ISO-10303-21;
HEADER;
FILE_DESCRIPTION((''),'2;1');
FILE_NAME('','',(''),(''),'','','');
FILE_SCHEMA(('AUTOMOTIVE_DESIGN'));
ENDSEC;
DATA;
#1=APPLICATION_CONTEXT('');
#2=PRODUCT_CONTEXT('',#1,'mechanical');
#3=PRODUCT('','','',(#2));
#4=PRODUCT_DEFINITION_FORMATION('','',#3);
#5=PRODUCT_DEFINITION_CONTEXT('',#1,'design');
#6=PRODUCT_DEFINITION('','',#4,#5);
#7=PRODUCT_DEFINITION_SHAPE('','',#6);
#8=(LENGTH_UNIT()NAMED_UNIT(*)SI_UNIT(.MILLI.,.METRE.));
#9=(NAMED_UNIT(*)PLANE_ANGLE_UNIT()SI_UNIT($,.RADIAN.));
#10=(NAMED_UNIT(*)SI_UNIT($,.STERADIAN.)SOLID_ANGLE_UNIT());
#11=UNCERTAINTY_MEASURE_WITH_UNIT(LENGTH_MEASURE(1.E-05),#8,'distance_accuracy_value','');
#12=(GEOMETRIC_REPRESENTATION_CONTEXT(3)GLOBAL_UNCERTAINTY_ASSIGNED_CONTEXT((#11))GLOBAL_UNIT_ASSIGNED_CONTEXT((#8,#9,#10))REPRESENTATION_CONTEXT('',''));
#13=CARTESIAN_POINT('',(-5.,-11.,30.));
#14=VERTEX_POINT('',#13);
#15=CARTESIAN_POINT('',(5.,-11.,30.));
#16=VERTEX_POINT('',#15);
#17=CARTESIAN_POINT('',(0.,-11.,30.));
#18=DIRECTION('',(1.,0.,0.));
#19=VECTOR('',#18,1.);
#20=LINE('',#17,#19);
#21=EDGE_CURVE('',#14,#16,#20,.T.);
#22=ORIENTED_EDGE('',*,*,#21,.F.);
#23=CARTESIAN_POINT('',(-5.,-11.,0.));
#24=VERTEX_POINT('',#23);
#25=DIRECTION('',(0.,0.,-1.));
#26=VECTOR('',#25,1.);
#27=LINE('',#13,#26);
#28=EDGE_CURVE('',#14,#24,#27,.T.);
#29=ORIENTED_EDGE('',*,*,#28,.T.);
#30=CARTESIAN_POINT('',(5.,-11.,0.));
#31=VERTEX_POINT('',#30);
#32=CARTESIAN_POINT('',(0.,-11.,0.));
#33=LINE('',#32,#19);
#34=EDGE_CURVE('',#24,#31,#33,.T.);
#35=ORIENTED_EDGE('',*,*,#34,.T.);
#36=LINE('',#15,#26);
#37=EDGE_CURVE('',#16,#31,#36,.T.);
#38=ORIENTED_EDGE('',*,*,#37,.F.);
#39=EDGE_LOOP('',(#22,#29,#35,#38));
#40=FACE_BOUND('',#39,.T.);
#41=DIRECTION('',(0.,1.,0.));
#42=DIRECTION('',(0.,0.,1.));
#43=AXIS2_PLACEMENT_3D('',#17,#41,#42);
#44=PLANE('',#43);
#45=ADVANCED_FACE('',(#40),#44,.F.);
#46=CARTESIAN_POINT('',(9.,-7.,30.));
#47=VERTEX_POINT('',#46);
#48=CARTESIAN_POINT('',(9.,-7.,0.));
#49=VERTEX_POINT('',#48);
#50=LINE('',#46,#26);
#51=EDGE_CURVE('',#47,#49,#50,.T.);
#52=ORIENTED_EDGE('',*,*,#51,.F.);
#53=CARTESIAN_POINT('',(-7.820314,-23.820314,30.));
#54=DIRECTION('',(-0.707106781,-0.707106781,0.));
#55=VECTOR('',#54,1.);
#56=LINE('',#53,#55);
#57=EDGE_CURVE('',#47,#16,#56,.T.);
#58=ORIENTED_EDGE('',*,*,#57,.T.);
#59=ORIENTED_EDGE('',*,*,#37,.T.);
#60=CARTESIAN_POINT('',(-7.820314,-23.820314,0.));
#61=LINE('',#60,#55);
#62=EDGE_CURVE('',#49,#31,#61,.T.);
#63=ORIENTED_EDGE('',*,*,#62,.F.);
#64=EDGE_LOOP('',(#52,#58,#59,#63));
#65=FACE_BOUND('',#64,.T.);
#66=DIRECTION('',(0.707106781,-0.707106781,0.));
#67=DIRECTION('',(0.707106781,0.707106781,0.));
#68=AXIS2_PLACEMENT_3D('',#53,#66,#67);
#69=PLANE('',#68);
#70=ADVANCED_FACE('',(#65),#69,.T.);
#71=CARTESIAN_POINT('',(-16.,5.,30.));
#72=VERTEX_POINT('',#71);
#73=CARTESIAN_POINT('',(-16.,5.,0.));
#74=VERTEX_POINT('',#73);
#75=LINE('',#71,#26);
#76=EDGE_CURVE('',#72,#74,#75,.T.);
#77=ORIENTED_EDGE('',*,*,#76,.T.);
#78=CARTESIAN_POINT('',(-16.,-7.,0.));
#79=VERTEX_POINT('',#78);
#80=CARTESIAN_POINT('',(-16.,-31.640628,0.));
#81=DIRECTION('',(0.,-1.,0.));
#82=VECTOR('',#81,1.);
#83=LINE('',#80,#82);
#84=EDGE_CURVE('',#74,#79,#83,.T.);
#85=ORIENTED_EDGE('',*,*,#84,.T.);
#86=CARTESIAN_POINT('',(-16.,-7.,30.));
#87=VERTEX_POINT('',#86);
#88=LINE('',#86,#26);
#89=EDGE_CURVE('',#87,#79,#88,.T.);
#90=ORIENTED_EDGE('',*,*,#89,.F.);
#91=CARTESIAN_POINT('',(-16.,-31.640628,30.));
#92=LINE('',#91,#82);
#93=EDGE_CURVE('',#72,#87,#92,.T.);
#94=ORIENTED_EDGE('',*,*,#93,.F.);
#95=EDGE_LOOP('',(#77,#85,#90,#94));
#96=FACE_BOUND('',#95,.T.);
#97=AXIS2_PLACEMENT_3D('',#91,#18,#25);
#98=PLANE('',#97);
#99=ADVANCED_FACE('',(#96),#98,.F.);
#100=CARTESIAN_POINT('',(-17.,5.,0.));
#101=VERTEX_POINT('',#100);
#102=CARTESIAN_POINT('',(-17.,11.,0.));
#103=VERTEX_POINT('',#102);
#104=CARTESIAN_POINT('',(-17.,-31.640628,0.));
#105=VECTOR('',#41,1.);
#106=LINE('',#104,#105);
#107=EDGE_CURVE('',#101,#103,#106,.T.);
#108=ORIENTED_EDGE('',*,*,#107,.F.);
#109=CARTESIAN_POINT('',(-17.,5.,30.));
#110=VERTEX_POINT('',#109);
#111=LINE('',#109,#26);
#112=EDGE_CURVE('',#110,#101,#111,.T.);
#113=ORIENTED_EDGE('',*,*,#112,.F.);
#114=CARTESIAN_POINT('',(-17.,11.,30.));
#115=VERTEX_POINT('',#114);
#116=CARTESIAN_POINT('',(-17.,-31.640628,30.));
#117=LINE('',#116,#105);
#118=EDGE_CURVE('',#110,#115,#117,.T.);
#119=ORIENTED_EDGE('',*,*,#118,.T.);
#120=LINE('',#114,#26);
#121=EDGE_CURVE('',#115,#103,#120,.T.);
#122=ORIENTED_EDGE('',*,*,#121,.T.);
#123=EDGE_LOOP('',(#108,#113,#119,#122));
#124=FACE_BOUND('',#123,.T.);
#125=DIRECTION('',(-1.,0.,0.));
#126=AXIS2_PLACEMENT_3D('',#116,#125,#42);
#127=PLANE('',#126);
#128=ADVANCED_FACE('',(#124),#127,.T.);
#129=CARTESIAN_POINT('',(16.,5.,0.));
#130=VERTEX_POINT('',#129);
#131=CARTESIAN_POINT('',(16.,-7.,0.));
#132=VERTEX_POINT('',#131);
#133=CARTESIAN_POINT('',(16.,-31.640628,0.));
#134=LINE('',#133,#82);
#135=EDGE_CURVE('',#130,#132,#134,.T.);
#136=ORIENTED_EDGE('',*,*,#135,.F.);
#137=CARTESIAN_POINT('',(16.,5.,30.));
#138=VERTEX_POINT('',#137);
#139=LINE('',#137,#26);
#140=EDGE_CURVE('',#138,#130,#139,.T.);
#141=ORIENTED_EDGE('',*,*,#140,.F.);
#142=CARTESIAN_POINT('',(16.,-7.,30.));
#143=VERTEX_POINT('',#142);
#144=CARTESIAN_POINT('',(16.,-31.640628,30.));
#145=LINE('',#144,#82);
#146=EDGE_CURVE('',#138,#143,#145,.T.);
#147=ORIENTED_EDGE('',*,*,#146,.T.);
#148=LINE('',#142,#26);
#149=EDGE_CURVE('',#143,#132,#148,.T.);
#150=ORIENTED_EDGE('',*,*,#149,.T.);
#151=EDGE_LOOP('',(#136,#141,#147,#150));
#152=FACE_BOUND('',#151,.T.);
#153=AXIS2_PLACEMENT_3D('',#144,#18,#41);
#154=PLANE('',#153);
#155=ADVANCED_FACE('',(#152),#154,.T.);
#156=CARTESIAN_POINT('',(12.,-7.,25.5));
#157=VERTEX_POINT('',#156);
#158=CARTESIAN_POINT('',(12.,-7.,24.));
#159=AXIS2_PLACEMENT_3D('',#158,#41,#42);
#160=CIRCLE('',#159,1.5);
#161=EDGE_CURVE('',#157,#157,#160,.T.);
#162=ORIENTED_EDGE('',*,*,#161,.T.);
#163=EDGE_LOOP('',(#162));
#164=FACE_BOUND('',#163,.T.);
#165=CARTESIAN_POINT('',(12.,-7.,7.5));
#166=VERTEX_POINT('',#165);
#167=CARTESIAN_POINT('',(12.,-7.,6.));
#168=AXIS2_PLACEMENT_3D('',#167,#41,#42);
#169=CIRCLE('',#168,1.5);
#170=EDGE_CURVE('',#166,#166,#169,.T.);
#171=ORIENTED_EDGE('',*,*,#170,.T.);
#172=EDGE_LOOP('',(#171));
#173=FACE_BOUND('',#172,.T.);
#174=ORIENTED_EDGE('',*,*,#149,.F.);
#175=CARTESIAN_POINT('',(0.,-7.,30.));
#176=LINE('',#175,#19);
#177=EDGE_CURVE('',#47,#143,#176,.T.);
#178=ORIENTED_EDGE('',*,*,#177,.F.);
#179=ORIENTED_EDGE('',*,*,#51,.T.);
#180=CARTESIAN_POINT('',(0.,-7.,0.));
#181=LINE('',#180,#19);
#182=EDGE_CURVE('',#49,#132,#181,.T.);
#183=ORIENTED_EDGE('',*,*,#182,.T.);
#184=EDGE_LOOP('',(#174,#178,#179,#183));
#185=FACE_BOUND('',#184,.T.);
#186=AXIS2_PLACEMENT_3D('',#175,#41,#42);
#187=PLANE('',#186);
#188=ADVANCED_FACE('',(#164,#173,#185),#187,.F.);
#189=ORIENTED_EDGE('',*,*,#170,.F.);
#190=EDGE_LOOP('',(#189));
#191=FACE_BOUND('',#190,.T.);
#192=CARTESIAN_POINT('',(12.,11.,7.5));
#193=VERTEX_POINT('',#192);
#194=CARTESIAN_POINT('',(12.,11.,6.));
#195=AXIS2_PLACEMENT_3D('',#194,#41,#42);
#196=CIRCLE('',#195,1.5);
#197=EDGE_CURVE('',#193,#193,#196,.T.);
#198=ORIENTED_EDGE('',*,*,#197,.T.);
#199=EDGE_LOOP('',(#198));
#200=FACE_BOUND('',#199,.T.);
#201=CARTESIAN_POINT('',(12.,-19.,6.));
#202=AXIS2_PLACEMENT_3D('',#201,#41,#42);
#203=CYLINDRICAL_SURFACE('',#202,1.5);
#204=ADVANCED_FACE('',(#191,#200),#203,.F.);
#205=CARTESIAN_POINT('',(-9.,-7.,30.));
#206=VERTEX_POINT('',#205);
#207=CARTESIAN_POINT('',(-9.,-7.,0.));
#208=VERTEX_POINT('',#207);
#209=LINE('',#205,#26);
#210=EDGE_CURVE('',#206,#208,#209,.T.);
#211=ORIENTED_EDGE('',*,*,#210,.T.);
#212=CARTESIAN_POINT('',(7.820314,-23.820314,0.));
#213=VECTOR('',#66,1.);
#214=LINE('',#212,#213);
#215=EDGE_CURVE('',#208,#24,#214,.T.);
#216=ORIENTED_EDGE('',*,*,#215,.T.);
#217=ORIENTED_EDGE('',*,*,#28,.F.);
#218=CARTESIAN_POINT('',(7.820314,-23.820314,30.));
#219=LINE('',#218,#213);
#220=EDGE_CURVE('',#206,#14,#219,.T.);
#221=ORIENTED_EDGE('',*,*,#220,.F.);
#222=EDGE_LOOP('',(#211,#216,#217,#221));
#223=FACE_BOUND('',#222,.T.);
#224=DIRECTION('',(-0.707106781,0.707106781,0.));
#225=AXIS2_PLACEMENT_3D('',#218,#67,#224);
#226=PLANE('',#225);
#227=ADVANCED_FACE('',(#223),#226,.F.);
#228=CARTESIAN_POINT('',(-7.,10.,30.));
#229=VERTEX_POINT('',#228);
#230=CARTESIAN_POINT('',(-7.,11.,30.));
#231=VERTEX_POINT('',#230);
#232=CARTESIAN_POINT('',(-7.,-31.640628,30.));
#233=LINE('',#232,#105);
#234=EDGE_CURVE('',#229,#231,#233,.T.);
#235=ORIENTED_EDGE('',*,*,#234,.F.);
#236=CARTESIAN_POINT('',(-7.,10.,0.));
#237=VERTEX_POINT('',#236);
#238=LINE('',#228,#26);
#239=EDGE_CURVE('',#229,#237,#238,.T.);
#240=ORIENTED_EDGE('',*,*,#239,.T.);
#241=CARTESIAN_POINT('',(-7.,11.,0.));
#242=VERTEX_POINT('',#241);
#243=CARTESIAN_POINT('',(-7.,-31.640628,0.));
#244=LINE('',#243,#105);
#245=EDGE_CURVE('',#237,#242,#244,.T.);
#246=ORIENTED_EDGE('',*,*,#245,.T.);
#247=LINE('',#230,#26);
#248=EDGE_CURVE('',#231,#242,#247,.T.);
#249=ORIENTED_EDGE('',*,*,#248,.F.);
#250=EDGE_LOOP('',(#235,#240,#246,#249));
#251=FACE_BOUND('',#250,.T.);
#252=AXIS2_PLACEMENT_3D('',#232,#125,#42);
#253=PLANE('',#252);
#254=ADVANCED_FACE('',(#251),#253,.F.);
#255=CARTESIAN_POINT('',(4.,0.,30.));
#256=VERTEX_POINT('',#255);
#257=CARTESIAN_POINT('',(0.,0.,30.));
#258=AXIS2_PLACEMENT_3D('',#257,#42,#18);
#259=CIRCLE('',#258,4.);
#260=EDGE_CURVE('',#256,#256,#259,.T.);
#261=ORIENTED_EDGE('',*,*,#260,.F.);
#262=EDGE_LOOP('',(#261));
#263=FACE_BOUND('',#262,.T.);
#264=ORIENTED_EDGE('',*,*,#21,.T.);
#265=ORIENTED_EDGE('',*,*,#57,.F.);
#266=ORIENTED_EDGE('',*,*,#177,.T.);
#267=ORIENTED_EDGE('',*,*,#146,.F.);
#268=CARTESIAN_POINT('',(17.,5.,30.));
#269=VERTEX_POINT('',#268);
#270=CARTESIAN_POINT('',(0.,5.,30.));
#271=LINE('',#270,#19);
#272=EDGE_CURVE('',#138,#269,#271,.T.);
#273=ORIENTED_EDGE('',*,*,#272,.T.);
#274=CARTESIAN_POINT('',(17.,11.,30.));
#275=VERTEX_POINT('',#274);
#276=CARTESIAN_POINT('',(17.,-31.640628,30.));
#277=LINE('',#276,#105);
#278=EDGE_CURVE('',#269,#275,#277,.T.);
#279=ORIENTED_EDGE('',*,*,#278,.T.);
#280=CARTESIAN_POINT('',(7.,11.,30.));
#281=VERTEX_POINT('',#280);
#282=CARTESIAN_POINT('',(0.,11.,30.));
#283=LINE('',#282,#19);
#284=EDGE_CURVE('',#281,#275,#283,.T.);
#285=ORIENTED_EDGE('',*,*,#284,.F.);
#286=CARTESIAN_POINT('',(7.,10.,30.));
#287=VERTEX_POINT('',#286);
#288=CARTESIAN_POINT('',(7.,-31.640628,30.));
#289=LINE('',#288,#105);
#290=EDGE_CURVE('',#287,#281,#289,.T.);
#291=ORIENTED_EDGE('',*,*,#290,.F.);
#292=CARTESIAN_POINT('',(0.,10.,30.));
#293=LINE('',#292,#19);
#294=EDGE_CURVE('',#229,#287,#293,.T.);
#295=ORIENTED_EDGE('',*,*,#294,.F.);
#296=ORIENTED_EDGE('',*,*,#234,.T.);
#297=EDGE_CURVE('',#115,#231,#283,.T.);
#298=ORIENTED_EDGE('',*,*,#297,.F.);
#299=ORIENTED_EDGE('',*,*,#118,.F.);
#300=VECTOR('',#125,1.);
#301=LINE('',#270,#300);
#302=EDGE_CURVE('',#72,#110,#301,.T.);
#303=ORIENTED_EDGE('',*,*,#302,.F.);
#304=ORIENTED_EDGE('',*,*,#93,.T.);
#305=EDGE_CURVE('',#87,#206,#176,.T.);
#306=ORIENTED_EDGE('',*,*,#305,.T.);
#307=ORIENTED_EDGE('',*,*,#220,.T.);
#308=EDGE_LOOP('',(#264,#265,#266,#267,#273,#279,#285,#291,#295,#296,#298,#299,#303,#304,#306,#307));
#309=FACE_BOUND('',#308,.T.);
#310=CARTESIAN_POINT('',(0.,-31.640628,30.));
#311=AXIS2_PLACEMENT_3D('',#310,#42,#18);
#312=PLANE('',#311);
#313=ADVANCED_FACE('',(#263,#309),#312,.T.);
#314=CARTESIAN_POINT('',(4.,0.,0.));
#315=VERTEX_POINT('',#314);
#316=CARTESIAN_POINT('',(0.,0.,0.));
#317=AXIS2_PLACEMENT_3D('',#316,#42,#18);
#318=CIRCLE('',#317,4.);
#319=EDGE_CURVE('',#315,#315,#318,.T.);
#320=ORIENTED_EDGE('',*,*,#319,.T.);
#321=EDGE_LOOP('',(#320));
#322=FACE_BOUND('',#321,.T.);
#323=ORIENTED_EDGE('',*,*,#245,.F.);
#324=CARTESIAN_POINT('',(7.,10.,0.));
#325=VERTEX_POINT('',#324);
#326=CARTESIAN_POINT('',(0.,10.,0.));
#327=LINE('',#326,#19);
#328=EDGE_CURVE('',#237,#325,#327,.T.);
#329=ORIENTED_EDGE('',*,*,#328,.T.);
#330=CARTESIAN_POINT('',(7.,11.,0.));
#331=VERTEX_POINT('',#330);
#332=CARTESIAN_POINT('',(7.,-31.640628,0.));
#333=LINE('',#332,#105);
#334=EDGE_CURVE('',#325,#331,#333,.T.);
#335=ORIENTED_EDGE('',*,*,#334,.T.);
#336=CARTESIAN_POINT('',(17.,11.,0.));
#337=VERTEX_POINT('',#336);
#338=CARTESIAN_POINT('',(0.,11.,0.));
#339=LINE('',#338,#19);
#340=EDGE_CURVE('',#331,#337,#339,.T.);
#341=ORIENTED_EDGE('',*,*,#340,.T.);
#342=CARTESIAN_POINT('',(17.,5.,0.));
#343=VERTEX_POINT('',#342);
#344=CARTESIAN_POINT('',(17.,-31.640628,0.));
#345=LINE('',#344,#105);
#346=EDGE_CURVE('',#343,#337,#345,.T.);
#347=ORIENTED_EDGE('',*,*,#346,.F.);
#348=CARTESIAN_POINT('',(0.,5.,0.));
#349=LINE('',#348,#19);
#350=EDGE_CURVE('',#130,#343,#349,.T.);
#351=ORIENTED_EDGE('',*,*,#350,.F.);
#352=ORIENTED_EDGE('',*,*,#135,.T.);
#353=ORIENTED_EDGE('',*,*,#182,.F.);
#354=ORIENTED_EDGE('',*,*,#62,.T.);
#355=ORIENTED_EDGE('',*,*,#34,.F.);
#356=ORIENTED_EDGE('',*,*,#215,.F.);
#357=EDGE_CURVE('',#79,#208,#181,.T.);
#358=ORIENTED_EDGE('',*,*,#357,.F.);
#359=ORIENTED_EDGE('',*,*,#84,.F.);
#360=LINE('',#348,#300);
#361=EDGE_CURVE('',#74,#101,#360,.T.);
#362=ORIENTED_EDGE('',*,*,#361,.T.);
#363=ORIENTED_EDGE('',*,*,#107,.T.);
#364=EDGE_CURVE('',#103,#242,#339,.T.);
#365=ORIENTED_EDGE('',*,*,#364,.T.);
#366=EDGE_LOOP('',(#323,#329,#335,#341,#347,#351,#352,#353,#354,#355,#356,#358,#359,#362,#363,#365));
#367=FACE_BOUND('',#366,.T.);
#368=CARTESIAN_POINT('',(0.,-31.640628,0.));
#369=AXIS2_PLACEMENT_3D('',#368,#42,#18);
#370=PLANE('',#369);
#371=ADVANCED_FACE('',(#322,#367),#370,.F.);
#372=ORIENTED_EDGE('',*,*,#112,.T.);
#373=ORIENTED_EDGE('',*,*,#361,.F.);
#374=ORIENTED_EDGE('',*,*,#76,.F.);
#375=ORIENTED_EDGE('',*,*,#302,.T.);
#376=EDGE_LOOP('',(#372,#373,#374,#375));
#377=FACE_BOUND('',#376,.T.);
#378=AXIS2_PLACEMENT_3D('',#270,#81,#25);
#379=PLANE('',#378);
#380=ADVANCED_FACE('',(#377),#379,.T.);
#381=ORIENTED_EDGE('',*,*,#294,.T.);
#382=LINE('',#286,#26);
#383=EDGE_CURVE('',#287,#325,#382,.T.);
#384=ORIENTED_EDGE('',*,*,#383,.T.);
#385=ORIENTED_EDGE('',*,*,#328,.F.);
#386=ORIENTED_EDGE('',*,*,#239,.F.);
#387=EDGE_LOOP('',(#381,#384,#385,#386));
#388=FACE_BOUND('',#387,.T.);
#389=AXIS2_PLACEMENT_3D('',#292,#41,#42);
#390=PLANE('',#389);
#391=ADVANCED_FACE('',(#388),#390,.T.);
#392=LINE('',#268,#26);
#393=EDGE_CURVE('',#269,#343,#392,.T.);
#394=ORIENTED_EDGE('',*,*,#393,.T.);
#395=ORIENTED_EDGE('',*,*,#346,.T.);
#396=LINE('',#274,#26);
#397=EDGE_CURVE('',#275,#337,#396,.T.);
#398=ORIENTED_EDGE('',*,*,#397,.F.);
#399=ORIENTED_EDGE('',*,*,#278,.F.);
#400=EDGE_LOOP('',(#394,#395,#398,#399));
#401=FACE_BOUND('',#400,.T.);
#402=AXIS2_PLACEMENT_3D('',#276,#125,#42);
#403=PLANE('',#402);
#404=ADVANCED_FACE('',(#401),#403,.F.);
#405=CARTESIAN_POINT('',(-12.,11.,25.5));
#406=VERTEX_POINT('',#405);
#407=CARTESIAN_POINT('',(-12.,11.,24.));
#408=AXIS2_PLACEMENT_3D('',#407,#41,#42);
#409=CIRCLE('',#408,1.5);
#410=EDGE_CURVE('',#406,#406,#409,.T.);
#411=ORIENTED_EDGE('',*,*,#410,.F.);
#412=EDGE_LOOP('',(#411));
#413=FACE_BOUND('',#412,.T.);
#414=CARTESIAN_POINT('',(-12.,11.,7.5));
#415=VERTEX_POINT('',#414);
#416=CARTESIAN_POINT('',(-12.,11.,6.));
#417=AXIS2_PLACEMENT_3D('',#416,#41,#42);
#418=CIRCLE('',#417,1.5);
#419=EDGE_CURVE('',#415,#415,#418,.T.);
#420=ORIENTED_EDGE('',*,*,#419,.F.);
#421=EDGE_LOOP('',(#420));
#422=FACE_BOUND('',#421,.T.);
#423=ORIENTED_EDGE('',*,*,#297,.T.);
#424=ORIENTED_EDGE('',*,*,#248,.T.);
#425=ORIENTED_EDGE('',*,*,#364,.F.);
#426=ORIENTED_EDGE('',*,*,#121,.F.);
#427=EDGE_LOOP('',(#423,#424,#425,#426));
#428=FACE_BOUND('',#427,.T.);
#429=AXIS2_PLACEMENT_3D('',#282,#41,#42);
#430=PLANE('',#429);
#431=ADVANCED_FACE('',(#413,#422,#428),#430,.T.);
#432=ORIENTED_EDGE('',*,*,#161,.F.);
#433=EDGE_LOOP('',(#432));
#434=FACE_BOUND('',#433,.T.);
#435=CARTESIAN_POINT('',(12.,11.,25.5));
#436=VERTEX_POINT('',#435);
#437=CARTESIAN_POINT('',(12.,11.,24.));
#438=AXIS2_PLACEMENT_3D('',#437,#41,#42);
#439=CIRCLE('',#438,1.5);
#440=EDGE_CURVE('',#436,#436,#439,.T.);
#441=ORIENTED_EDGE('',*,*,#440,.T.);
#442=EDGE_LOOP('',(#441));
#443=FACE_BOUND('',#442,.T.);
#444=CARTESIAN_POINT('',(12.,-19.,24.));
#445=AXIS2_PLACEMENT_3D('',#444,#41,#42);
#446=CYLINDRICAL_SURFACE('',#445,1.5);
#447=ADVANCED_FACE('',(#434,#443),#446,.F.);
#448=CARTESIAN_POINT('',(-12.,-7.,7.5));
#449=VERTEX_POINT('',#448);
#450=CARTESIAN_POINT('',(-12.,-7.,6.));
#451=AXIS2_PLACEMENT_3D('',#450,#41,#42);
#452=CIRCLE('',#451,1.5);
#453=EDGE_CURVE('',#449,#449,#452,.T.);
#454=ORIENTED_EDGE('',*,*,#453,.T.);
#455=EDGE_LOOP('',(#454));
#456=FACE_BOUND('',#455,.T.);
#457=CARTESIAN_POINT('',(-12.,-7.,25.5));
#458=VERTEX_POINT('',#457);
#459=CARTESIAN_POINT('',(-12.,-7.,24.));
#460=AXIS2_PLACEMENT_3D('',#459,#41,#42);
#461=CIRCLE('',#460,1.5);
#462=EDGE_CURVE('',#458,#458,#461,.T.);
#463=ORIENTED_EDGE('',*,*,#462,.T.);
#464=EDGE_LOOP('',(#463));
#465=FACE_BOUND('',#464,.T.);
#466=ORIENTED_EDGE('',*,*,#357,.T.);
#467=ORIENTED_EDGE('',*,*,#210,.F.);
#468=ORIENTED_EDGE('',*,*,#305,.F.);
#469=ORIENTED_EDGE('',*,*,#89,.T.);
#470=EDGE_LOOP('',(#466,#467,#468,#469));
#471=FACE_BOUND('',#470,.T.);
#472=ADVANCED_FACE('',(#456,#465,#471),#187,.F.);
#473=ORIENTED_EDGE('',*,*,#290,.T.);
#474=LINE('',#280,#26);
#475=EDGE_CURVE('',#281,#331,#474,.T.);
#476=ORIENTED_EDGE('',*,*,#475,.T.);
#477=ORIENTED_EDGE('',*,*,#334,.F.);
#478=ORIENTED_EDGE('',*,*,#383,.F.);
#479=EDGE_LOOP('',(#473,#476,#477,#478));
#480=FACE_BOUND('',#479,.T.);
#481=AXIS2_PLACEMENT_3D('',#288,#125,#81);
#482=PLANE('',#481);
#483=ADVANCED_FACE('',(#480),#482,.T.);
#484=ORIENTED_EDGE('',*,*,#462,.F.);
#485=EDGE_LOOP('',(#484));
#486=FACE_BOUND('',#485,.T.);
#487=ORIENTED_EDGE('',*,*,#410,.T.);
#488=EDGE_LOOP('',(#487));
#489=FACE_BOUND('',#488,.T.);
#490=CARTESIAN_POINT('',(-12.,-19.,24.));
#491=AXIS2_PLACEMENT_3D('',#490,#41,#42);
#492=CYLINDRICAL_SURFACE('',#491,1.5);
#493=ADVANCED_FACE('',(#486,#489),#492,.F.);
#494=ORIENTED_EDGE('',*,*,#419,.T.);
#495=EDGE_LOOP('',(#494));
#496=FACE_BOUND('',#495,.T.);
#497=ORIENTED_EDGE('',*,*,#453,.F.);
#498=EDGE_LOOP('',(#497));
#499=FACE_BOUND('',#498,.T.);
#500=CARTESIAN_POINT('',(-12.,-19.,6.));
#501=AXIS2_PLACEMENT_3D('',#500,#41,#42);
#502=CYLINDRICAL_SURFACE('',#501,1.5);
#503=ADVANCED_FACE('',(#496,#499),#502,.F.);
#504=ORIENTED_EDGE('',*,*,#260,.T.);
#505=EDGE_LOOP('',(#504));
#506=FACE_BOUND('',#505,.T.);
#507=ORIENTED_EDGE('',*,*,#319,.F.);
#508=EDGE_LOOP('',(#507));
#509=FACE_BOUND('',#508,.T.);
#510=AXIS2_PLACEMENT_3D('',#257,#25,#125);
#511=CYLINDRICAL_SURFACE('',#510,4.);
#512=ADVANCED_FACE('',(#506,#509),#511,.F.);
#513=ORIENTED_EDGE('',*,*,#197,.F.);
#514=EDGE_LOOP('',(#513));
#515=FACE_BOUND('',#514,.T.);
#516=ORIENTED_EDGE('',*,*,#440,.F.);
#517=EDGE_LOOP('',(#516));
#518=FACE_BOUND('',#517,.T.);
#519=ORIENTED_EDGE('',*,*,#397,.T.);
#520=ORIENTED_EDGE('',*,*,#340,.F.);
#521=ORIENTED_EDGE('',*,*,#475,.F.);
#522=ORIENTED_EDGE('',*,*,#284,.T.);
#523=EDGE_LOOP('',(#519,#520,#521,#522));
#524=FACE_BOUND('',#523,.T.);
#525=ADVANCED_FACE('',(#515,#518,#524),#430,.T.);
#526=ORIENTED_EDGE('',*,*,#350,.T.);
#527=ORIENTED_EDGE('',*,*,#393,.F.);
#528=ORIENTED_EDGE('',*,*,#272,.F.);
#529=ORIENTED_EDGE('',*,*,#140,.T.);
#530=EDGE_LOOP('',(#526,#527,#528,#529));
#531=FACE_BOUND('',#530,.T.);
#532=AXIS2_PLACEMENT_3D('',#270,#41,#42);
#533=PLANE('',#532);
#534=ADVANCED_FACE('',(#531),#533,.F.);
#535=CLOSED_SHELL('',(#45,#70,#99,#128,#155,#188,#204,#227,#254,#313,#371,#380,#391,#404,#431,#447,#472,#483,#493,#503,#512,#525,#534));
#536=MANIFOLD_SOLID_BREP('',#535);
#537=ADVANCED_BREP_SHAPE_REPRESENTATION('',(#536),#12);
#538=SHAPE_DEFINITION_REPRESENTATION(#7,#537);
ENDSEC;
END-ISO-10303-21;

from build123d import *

# Parameters (mm, degrees)
SKETCH1_R           = 4
BOSS_EXTRUDE1_DEPTH = 30
SKETCH2_R           = 1.5
CUT_EXTRUDE1_DEPTH  = 30


with BuildPart() as part:
    # Sketch1 → Boss-Extrude1 (new body)
    with BuildSketch(Plane.XY):
        Polygon((-16, -7), (-9, -7), (-5, -11), (5, -11), (9, -7), (16, -7), (16, 5), (17, 5), (17, 11), (7, 11), (7, 10), (-7, 10), (-7, 11), (-17, 11), (-17, 5), (-16, 5), align=None)
        Circle(SKETCH1_R, mode=Mode.SUBTRACT)
    extrude(amount=BOSS_EXTRUDE1_DEPTH)

    # Sketch2 → Cut-Extrude1 (cut)
    with BuildSketch(Plane(origin=(0, 11, 0), x_dir=(-1, 0, 0), z_dir=(0, 1, 0))):
        with Locations(Location((12, 24, 0), (0, 0, 90))):
            Circle(SKETCH2_R)
        with Locations(Location((12, 6, 0), (0, 0, 90))):
            Circle(SKETCH2_R)
        with Locations(Location((-12, 24, 0), (0, 0, 90))):
            Circle(SKETCH2_R)
        with Locations(Location((-12, 6, 0), (0, 0, 90))):
            Circle(SKETCH2_R)
    extrude(amount=-CUT_EXTRUDE1_DEPTH, mode=Mode.SUBTRACT)


solid = part.part
